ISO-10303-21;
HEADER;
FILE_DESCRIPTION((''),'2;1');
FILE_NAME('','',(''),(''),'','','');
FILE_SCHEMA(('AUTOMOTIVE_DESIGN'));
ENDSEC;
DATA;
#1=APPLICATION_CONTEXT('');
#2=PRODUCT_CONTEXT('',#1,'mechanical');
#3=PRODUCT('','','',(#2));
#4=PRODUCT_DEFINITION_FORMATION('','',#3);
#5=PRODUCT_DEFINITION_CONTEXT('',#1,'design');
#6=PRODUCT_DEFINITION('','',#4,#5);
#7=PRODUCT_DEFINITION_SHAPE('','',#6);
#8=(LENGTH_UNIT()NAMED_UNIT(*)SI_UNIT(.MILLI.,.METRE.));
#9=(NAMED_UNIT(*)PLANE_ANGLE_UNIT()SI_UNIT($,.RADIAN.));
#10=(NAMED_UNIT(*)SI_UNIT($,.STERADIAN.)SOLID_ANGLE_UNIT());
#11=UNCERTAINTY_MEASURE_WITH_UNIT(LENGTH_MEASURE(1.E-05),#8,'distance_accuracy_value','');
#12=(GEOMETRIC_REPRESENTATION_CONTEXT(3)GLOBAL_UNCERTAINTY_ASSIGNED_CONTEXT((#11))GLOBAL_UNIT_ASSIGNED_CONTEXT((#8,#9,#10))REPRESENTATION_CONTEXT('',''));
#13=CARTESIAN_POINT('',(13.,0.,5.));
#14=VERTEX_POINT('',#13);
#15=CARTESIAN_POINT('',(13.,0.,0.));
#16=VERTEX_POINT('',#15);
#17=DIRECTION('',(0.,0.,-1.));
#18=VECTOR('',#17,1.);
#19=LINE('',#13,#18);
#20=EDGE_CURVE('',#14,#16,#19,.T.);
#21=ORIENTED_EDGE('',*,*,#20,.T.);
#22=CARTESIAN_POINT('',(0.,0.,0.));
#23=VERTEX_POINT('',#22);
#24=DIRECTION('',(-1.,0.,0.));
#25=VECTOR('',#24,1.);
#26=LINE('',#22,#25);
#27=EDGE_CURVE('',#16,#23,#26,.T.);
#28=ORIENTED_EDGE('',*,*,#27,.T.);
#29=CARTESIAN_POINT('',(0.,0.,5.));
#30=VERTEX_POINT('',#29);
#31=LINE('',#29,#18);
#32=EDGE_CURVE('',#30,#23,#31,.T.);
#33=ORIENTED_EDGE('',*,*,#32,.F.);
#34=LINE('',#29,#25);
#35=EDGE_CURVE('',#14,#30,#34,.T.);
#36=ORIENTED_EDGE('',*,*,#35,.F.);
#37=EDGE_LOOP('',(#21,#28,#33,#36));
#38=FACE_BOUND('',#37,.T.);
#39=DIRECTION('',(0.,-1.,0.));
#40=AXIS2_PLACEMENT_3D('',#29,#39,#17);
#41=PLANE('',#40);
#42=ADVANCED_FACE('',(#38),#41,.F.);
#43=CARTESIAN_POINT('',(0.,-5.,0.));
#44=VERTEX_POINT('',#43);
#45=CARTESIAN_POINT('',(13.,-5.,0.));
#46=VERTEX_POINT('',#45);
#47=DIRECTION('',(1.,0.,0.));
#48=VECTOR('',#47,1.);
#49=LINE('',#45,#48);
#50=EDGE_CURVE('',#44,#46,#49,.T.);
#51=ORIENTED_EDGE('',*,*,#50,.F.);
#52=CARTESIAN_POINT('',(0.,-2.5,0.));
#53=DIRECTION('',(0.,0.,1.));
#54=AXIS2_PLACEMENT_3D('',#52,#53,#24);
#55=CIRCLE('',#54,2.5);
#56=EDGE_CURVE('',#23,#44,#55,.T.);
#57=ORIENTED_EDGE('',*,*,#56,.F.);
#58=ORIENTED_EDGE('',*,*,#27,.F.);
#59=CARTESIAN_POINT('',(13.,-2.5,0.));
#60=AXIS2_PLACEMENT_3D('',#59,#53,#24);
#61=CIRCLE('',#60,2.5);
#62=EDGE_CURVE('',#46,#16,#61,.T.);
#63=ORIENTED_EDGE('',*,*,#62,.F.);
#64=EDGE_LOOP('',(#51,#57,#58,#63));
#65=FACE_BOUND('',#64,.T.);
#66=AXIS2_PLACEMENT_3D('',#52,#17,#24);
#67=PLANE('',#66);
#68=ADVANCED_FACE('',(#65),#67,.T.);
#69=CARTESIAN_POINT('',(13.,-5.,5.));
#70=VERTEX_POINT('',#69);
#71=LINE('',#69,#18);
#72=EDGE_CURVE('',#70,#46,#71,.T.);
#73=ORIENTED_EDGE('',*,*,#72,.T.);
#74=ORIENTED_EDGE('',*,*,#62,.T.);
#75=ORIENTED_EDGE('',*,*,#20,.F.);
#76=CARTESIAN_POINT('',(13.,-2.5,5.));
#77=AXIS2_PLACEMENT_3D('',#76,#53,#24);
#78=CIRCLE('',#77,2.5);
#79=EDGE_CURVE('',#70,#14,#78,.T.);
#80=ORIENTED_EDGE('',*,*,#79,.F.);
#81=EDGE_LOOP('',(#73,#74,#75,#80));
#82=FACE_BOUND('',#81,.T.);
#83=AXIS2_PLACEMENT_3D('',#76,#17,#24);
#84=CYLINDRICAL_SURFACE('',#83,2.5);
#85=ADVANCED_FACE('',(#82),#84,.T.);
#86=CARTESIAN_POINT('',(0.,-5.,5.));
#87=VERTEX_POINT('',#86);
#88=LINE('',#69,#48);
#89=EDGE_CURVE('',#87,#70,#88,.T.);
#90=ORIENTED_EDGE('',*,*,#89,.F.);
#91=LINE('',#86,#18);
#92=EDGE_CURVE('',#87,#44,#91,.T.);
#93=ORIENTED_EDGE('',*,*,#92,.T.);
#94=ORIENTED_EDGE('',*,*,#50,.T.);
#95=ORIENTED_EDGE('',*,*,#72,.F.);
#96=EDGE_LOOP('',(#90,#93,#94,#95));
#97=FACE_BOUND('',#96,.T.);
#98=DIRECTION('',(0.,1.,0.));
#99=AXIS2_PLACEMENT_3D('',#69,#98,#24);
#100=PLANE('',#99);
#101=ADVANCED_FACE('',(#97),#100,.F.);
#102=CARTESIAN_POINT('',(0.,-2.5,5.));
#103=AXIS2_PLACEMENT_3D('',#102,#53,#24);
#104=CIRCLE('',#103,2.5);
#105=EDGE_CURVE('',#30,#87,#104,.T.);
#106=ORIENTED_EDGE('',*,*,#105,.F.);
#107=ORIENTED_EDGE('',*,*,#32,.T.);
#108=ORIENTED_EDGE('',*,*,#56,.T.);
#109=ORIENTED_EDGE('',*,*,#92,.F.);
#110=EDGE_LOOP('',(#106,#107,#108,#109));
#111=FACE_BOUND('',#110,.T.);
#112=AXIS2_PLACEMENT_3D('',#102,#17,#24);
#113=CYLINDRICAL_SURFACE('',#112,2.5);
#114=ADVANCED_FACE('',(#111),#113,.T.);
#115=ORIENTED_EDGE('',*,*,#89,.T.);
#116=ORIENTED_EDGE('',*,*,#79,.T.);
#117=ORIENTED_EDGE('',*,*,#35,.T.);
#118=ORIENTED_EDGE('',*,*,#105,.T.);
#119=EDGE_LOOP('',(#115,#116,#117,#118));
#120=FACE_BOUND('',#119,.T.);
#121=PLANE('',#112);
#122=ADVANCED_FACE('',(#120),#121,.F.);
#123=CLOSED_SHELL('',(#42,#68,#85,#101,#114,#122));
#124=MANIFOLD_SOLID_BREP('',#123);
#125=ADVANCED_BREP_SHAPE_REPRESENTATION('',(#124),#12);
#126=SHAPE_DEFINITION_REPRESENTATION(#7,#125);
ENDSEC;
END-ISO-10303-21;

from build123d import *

# Parameters (mm, degrees)
EXTRUSION1_DEPTH = 5


with BuildPart() as part:
    # Esquisse1 → Extrusion1 (new body)
    with BuildSketch(Plane.XY):
        with BuildLine():
            Line((0, 0), (13, 0))
            ThreePointArc((13, 0), (15.5, -2.5), (13, -5))
            Line((13, -5), (0, -5))
            ThreePointArc((0, -5), (-2.5, -2.5), (0, 0))
        make_face()
    extrude(amount=EXTRUSION1_DEPTH)


solid = part.part
